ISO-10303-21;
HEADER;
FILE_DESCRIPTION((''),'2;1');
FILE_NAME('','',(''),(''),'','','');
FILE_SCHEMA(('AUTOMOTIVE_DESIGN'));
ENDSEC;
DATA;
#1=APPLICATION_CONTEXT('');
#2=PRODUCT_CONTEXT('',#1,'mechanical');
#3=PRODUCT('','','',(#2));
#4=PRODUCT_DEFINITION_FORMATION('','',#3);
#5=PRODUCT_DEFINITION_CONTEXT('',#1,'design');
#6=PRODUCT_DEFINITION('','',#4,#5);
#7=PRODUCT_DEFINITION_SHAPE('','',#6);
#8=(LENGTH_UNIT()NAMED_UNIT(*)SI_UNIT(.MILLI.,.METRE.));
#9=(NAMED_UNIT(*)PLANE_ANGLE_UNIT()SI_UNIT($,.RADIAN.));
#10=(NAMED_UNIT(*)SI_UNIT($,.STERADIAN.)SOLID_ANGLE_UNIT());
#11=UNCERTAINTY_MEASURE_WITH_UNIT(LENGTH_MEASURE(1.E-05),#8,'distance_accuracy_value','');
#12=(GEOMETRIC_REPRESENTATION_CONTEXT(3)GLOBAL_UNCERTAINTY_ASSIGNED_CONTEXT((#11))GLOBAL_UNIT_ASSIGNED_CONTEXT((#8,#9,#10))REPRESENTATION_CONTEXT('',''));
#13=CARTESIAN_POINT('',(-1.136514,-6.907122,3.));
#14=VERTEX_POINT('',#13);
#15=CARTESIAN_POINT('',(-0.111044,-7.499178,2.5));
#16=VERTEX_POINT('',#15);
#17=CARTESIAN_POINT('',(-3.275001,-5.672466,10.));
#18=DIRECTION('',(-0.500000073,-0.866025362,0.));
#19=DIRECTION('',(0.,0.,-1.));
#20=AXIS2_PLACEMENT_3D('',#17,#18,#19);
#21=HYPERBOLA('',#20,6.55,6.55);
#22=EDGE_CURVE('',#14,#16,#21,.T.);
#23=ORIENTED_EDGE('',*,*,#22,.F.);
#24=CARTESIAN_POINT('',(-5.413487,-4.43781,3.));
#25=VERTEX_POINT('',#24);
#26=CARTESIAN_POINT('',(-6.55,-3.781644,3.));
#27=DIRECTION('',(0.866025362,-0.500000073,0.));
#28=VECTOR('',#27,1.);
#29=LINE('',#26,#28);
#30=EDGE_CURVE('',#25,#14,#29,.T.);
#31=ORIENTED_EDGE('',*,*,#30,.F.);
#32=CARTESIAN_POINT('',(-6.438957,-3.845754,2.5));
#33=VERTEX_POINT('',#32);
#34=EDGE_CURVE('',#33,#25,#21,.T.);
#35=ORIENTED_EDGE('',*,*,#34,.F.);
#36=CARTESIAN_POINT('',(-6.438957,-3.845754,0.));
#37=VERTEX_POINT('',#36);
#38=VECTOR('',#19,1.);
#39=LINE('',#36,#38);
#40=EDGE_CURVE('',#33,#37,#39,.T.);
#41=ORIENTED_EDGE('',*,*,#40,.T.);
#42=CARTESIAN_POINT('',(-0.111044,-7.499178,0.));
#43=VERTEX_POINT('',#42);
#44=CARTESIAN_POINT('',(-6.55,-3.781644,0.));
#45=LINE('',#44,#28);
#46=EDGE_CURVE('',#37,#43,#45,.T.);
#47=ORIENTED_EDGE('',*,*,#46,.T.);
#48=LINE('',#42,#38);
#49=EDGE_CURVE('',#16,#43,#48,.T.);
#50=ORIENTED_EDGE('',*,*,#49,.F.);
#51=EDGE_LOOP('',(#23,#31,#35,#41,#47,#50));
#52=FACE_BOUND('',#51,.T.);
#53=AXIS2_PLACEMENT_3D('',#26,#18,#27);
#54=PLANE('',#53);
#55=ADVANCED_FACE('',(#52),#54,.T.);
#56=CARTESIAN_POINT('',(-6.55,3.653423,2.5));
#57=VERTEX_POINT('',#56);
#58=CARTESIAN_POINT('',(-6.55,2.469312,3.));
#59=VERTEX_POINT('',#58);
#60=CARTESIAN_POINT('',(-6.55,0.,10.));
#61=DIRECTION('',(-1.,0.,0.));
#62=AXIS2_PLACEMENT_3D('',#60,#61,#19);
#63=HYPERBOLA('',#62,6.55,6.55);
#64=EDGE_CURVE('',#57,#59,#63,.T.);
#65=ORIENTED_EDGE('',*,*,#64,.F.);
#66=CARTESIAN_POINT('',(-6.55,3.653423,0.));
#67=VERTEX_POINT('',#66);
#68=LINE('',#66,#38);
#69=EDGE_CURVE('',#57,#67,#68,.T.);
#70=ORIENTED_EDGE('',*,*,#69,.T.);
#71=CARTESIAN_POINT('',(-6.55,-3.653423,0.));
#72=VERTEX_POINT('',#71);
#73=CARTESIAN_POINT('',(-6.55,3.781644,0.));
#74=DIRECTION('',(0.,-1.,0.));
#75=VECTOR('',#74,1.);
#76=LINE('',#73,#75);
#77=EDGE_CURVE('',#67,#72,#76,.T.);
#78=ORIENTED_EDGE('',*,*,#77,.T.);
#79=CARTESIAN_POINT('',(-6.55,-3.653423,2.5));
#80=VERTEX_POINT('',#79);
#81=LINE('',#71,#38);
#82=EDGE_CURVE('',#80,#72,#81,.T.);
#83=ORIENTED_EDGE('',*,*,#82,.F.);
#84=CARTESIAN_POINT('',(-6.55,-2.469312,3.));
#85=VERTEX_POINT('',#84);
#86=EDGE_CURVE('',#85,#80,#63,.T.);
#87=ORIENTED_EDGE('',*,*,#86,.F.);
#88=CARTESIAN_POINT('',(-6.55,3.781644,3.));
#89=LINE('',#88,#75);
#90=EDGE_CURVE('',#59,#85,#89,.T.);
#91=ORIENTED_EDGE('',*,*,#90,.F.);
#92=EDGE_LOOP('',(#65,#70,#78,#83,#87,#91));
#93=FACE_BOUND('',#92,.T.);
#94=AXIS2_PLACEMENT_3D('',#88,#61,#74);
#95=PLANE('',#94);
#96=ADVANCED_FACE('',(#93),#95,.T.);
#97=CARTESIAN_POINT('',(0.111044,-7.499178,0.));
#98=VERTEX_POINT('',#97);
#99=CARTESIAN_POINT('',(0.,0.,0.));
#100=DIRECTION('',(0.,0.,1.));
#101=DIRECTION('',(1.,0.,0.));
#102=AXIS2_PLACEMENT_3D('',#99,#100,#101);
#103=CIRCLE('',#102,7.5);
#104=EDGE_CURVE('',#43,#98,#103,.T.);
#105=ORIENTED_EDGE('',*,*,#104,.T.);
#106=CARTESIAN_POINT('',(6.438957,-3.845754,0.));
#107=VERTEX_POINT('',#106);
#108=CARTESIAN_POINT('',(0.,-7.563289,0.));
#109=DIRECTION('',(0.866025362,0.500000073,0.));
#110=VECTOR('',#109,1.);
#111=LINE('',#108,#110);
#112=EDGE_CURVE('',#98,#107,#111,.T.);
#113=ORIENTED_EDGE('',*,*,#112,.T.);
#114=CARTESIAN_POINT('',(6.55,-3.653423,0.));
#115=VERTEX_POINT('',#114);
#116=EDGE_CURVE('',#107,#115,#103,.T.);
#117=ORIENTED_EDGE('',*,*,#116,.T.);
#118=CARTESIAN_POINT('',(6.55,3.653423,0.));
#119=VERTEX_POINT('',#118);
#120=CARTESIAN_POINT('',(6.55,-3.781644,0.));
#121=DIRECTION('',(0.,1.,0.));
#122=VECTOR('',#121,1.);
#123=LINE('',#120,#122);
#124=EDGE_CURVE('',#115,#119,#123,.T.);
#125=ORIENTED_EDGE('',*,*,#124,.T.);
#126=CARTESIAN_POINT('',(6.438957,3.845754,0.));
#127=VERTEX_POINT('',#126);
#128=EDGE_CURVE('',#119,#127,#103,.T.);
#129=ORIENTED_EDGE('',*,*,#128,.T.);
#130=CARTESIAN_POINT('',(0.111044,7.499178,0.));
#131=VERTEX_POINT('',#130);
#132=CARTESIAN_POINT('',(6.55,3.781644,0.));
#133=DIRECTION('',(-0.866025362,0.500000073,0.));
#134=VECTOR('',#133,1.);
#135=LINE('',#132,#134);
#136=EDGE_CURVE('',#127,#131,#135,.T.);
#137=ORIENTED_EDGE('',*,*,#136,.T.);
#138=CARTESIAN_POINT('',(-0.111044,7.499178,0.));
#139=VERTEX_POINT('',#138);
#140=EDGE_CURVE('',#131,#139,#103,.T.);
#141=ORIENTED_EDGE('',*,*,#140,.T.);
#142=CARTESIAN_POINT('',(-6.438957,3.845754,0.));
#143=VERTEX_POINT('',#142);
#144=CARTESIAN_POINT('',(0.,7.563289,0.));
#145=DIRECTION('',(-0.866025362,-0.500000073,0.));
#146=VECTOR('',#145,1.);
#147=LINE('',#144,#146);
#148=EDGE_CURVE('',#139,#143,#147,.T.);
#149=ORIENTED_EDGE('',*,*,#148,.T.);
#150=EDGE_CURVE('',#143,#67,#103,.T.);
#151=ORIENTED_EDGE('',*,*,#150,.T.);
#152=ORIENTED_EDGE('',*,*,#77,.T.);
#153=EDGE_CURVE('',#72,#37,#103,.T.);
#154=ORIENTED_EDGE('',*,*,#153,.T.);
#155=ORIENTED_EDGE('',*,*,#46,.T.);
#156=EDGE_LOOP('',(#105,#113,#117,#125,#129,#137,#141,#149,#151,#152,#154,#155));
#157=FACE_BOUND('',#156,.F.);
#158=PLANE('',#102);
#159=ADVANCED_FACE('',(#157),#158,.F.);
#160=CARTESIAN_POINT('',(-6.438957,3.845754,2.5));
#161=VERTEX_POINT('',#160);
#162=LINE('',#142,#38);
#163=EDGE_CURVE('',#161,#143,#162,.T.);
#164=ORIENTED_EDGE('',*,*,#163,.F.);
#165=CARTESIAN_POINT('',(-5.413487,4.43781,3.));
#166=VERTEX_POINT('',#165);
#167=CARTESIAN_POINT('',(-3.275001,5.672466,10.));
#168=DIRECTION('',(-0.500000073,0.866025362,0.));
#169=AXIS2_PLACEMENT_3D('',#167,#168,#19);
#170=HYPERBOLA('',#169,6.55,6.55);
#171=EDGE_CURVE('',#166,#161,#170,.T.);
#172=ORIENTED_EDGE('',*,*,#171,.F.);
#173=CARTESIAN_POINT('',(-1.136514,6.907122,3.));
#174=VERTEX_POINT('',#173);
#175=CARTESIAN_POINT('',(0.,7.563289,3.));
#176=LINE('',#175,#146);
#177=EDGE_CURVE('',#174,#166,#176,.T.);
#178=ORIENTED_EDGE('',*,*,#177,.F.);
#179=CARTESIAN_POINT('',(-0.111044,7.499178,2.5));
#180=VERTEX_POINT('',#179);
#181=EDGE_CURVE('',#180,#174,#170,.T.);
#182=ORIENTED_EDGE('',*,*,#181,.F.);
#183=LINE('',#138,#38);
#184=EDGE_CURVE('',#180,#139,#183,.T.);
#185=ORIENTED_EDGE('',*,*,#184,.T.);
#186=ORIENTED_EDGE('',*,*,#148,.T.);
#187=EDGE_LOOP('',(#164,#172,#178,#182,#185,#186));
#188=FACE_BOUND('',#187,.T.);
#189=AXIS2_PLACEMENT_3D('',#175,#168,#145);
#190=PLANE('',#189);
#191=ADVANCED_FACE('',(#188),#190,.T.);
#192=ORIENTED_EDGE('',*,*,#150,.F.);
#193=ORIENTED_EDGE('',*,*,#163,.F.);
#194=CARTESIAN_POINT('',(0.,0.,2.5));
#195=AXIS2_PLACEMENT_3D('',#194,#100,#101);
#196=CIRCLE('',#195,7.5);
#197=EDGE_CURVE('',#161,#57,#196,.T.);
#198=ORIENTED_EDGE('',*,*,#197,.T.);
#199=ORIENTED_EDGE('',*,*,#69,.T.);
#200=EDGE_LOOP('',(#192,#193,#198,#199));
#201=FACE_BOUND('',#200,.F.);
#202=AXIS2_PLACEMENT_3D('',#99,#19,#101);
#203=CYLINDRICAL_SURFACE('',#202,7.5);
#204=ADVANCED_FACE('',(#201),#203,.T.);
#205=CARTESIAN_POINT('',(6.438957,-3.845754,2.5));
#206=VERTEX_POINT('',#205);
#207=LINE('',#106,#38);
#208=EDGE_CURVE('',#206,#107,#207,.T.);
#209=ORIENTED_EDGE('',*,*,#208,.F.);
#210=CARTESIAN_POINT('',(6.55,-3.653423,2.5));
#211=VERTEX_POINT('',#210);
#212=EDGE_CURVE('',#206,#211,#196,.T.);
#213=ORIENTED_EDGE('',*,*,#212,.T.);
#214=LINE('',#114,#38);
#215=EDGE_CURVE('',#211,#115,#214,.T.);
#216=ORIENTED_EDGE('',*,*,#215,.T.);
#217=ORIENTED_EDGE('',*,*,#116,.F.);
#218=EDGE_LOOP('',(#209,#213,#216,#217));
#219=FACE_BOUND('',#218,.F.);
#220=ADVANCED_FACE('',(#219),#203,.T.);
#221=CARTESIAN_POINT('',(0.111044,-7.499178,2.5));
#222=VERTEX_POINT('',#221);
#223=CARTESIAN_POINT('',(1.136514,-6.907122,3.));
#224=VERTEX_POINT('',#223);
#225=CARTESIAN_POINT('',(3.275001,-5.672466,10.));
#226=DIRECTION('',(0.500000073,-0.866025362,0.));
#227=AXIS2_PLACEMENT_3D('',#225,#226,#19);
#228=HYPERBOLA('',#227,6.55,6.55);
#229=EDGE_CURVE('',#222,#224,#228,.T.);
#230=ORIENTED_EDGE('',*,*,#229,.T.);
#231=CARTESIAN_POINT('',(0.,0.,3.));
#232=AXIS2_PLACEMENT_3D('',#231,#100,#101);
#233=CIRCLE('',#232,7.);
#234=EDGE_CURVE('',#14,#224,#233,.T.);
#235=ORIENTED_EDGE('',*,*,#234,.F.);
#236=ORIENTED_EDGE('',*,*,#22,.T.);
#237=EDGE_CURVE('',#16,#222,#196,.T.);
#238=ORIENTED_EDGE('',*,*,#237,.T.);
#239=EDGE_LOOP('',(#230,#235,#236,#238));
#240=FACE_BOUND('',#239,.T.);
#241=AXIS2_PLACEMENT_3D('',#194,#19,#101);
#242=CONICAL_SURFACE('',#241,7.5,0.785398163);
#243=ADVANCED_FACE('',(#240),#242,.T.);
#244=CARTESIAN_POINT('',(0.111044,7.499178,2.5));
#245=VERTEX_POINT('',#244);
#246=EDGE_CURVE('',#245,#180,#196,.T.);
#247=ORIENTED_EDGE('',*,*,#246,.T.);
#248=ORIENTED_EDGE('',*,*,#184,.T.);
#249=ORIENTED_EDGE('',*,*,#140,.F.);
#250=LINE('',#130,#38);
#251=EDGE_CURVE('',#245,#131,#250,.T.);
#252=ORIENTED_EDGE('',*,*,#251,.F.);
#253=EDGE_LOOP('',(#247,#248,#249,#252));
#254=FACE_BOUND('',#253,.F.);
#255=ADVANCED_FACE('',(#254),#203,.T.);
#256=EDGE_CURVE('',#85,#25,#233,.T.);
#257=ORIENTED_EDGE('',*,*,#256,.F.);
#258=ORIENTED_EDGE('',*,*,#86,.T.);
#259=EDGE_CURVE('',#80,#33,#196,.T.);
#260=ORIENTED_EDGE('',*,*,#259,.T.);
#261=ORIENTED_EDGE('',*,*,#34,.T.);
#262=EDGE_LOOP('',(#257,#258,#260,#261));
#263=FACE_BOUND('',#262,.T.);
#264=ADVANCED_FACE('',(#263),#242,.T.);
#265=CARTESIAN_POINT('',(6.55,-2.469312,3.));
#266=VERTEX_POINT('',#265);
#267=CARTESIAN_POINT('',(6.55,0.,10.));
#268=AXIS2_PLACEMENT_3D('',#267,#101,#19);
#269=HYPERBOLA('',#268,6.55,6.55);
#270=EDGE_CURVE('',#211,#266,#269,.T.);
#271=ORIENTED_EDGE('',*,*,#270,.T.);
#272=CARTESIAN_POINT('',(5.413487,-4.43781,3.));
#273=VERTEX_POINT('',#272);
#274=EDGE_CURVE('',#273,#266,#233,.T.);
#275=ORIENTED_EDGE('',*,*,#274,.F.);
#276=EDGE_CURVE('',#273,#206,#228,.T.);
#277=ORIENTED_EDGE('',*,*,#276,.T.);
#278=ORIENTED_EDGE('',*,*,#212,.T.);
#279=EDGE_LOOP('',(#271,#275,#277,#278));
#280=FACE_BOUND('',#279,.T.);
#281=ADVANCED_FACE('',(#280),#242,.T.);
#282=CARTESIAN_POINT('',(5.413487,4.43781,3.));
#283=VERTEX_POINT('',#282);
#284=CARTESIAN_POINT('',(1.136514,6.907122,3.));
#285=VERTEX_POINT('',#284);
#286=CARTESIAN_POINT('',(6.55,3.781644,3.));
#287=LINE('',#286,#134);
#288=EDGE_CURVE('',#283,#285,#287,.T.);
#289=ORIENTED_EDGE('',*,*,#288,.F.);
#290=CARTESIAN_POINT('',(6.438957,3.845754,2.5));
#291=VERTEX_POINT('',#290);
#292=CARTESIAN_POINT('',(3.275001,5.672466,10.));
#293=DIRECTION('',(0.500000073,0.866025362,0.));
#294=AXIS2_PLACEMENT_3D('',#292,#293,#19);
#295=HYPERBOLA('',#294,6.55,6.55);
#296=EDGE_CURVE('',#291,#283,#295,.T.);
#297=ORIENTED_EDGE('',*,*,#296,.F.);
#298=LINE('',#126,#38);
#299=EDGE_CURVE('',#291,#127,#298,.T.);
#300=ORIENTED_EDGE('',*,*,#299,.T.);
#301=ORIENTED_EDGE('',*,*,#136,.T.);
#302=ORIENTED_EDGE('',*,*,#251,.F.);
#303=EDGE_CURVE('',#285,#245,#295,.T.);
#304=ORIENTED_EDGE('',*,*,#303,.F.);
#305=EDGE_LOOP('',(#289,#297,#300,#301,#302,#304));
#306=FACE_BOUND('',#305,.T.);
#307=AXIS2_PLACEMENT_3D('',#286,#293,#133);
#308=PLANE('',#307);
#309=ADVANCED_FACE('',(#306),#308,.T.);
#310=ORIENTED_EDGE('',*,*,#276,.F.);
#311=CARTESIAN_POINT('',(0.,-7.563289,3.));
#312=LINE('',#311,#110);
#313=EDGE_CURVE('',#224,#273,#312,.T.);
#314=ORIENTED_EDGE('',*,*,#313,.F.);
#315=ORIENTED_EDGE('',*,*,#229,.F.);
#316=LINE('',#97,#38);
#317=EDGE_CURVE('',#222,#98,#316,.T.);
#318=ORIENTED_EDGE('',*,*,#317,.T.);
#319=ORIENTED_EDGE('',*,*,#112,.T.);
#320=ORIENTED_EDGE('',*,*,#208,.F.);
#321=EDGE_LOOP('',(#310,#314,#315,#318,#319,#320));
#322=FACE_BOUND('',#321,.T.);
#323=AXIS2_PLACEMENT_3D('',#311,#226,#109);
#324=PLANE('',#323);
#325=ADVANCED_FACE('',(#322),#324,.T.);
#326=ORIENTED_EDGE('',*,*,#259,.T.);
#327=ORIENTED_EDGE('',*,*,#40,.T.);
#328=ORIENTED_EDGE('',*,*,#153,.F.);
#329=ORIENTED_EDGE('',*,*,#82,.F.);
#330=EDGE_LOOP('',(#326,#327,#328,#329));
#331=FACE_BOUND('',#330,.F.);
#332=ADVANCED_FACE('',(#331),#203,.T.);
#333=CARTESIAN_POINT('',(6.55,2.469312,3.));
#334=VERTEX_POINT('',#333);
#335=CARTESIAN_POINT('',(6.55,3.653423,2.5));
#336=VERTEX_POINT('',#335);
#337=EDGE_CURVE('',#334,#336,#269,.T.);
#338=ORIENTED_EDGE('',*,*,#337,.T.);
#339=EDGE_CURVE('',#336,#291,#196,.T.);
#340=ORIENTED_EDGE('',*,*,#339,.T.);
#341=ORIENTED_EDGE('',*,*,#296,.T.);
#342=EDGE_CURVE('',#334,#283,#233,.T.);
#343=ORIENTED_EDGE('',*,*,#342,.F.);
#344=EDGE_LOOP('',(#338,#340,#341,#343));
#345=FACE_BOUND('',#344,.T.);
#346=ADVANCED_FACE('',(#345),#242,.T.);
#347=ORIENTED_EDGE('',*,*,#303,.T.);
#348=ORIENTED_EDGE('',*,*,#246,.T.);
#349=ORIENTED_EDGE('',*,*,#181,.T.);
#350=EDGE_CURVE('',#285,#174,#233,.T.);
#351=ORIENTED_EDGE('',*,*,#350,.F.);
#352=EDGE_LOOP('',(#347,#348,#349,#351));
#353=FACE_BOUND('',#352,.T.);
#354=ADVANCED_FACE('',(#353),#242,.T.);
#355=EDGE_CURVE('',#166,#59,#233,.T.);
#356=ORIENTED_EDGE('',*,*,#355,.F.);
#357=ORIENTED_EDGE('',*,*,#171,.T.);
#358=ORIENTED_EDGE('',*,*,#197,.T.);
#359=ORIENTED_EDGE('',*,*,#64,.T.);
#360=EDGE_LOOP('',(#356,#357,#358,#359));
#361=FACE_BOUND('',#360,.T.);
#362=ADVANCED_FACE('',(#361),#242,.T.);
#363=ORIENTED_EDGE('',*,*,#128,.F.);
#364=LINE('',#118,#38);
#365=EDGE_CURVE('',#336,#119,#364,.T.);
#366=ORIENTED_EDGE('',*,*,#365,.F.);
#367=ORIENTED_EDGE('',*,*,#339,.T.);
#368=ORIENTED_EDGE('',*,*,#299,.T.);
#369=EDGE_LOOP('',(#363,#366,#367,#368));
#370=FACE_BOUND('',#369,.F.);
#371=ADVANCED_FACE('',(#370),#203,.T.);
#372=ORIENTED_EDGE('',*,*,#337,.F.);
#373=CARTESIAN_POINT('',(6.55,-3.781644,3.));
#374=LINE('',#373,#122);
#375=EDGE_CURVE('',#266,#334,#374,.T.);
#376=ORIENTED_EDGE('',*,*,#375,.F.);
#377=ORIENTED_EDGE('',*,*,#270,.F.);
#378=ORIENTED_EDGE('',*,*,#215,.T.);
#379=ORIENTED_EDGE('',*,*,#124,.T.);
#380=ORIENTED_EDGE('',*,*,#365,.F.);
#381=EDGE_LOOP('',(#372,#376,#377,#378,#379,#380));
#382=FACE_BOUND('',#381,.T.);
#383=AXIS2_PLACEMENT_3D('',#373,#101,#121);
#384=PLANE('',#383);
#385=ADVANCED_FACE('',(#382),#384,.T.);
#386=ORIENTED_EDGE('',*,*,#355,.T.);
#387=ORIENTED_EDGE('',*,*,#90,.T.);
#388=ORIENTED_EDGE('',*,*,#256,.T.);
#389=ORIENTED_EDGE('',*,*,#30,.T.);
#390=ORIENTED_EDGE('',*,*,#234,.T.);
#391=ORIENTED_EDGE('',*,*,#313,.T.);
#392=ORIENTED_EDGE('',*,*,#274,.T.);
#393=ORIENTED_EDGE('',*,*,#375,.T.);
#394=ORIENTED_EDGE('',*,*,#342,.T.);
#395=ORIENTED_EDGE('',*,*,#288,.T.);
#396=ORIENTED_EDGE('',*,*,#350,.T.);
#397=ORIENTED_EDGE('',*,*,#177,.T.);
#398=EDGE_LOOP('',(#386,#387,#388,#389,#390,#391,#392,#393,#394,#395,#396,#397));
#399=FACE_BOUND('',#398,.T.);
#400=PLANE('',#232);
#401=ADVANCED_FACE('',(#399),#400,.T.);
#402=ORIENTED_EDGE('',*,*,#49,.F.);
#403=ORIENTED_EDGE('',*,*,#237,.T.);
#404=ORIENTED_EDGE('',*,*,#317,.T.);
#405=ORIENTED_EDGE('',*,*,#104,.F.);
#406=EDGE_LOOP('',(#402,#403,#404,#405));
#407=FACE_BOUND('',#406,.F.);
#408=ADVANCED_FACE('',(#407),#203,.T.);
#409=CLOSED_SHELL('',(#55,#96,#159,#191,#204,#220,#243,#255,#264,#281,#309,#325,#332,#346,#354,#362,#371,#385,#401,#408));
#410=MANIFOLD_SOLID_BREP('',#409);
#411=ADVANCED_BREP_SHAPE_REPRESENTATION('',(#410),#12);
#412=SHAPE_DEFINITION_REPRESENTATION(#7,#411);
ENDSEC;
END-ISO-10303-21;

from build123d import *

# Parameters (mm, degrees)
SKETCH003_R      = 7.5
PAD003_DEPTH     = 3
CHAMFER_SIZE     = 0.5
EXTRUDE001_DEPTH = 3


with BuildPart() as chamfer_body:
    # Sketch003 → Pad003 (new body)
    with BuildSketch(Plane.XY):
        Circle(SKETCH003_R)
    extrude(amount=PAD003_DEPTH)

    # Chamfer
    chamfer_edges = [chamfer_body.edges().sort_by_distance(p)[0] for p in [
        (-7.5, 0, 3),
    ]]
    chamfer(chamfer_edges, length=CHAMFER_SIZE)


with BuildPart() as common:
    # Sketch005 (on Face3 of Pad003) → Extrude001 (new body)
    with BuildSketch(Plane.XY.offset(3)):
        Polygon((6.55, -3.781644), (6.55, 3.781644), (0, 7.563289), (-6.55, 3.781644), (-6.55, -3.781644), (0, -7.563289), align=None)
    extrude(amount=-EXTRUDE001_DEPTH)

    # Common: intersect Chamfer body
    add(chamfer_body.part, mode=Mode.INTERSECT)


solid = common.part
